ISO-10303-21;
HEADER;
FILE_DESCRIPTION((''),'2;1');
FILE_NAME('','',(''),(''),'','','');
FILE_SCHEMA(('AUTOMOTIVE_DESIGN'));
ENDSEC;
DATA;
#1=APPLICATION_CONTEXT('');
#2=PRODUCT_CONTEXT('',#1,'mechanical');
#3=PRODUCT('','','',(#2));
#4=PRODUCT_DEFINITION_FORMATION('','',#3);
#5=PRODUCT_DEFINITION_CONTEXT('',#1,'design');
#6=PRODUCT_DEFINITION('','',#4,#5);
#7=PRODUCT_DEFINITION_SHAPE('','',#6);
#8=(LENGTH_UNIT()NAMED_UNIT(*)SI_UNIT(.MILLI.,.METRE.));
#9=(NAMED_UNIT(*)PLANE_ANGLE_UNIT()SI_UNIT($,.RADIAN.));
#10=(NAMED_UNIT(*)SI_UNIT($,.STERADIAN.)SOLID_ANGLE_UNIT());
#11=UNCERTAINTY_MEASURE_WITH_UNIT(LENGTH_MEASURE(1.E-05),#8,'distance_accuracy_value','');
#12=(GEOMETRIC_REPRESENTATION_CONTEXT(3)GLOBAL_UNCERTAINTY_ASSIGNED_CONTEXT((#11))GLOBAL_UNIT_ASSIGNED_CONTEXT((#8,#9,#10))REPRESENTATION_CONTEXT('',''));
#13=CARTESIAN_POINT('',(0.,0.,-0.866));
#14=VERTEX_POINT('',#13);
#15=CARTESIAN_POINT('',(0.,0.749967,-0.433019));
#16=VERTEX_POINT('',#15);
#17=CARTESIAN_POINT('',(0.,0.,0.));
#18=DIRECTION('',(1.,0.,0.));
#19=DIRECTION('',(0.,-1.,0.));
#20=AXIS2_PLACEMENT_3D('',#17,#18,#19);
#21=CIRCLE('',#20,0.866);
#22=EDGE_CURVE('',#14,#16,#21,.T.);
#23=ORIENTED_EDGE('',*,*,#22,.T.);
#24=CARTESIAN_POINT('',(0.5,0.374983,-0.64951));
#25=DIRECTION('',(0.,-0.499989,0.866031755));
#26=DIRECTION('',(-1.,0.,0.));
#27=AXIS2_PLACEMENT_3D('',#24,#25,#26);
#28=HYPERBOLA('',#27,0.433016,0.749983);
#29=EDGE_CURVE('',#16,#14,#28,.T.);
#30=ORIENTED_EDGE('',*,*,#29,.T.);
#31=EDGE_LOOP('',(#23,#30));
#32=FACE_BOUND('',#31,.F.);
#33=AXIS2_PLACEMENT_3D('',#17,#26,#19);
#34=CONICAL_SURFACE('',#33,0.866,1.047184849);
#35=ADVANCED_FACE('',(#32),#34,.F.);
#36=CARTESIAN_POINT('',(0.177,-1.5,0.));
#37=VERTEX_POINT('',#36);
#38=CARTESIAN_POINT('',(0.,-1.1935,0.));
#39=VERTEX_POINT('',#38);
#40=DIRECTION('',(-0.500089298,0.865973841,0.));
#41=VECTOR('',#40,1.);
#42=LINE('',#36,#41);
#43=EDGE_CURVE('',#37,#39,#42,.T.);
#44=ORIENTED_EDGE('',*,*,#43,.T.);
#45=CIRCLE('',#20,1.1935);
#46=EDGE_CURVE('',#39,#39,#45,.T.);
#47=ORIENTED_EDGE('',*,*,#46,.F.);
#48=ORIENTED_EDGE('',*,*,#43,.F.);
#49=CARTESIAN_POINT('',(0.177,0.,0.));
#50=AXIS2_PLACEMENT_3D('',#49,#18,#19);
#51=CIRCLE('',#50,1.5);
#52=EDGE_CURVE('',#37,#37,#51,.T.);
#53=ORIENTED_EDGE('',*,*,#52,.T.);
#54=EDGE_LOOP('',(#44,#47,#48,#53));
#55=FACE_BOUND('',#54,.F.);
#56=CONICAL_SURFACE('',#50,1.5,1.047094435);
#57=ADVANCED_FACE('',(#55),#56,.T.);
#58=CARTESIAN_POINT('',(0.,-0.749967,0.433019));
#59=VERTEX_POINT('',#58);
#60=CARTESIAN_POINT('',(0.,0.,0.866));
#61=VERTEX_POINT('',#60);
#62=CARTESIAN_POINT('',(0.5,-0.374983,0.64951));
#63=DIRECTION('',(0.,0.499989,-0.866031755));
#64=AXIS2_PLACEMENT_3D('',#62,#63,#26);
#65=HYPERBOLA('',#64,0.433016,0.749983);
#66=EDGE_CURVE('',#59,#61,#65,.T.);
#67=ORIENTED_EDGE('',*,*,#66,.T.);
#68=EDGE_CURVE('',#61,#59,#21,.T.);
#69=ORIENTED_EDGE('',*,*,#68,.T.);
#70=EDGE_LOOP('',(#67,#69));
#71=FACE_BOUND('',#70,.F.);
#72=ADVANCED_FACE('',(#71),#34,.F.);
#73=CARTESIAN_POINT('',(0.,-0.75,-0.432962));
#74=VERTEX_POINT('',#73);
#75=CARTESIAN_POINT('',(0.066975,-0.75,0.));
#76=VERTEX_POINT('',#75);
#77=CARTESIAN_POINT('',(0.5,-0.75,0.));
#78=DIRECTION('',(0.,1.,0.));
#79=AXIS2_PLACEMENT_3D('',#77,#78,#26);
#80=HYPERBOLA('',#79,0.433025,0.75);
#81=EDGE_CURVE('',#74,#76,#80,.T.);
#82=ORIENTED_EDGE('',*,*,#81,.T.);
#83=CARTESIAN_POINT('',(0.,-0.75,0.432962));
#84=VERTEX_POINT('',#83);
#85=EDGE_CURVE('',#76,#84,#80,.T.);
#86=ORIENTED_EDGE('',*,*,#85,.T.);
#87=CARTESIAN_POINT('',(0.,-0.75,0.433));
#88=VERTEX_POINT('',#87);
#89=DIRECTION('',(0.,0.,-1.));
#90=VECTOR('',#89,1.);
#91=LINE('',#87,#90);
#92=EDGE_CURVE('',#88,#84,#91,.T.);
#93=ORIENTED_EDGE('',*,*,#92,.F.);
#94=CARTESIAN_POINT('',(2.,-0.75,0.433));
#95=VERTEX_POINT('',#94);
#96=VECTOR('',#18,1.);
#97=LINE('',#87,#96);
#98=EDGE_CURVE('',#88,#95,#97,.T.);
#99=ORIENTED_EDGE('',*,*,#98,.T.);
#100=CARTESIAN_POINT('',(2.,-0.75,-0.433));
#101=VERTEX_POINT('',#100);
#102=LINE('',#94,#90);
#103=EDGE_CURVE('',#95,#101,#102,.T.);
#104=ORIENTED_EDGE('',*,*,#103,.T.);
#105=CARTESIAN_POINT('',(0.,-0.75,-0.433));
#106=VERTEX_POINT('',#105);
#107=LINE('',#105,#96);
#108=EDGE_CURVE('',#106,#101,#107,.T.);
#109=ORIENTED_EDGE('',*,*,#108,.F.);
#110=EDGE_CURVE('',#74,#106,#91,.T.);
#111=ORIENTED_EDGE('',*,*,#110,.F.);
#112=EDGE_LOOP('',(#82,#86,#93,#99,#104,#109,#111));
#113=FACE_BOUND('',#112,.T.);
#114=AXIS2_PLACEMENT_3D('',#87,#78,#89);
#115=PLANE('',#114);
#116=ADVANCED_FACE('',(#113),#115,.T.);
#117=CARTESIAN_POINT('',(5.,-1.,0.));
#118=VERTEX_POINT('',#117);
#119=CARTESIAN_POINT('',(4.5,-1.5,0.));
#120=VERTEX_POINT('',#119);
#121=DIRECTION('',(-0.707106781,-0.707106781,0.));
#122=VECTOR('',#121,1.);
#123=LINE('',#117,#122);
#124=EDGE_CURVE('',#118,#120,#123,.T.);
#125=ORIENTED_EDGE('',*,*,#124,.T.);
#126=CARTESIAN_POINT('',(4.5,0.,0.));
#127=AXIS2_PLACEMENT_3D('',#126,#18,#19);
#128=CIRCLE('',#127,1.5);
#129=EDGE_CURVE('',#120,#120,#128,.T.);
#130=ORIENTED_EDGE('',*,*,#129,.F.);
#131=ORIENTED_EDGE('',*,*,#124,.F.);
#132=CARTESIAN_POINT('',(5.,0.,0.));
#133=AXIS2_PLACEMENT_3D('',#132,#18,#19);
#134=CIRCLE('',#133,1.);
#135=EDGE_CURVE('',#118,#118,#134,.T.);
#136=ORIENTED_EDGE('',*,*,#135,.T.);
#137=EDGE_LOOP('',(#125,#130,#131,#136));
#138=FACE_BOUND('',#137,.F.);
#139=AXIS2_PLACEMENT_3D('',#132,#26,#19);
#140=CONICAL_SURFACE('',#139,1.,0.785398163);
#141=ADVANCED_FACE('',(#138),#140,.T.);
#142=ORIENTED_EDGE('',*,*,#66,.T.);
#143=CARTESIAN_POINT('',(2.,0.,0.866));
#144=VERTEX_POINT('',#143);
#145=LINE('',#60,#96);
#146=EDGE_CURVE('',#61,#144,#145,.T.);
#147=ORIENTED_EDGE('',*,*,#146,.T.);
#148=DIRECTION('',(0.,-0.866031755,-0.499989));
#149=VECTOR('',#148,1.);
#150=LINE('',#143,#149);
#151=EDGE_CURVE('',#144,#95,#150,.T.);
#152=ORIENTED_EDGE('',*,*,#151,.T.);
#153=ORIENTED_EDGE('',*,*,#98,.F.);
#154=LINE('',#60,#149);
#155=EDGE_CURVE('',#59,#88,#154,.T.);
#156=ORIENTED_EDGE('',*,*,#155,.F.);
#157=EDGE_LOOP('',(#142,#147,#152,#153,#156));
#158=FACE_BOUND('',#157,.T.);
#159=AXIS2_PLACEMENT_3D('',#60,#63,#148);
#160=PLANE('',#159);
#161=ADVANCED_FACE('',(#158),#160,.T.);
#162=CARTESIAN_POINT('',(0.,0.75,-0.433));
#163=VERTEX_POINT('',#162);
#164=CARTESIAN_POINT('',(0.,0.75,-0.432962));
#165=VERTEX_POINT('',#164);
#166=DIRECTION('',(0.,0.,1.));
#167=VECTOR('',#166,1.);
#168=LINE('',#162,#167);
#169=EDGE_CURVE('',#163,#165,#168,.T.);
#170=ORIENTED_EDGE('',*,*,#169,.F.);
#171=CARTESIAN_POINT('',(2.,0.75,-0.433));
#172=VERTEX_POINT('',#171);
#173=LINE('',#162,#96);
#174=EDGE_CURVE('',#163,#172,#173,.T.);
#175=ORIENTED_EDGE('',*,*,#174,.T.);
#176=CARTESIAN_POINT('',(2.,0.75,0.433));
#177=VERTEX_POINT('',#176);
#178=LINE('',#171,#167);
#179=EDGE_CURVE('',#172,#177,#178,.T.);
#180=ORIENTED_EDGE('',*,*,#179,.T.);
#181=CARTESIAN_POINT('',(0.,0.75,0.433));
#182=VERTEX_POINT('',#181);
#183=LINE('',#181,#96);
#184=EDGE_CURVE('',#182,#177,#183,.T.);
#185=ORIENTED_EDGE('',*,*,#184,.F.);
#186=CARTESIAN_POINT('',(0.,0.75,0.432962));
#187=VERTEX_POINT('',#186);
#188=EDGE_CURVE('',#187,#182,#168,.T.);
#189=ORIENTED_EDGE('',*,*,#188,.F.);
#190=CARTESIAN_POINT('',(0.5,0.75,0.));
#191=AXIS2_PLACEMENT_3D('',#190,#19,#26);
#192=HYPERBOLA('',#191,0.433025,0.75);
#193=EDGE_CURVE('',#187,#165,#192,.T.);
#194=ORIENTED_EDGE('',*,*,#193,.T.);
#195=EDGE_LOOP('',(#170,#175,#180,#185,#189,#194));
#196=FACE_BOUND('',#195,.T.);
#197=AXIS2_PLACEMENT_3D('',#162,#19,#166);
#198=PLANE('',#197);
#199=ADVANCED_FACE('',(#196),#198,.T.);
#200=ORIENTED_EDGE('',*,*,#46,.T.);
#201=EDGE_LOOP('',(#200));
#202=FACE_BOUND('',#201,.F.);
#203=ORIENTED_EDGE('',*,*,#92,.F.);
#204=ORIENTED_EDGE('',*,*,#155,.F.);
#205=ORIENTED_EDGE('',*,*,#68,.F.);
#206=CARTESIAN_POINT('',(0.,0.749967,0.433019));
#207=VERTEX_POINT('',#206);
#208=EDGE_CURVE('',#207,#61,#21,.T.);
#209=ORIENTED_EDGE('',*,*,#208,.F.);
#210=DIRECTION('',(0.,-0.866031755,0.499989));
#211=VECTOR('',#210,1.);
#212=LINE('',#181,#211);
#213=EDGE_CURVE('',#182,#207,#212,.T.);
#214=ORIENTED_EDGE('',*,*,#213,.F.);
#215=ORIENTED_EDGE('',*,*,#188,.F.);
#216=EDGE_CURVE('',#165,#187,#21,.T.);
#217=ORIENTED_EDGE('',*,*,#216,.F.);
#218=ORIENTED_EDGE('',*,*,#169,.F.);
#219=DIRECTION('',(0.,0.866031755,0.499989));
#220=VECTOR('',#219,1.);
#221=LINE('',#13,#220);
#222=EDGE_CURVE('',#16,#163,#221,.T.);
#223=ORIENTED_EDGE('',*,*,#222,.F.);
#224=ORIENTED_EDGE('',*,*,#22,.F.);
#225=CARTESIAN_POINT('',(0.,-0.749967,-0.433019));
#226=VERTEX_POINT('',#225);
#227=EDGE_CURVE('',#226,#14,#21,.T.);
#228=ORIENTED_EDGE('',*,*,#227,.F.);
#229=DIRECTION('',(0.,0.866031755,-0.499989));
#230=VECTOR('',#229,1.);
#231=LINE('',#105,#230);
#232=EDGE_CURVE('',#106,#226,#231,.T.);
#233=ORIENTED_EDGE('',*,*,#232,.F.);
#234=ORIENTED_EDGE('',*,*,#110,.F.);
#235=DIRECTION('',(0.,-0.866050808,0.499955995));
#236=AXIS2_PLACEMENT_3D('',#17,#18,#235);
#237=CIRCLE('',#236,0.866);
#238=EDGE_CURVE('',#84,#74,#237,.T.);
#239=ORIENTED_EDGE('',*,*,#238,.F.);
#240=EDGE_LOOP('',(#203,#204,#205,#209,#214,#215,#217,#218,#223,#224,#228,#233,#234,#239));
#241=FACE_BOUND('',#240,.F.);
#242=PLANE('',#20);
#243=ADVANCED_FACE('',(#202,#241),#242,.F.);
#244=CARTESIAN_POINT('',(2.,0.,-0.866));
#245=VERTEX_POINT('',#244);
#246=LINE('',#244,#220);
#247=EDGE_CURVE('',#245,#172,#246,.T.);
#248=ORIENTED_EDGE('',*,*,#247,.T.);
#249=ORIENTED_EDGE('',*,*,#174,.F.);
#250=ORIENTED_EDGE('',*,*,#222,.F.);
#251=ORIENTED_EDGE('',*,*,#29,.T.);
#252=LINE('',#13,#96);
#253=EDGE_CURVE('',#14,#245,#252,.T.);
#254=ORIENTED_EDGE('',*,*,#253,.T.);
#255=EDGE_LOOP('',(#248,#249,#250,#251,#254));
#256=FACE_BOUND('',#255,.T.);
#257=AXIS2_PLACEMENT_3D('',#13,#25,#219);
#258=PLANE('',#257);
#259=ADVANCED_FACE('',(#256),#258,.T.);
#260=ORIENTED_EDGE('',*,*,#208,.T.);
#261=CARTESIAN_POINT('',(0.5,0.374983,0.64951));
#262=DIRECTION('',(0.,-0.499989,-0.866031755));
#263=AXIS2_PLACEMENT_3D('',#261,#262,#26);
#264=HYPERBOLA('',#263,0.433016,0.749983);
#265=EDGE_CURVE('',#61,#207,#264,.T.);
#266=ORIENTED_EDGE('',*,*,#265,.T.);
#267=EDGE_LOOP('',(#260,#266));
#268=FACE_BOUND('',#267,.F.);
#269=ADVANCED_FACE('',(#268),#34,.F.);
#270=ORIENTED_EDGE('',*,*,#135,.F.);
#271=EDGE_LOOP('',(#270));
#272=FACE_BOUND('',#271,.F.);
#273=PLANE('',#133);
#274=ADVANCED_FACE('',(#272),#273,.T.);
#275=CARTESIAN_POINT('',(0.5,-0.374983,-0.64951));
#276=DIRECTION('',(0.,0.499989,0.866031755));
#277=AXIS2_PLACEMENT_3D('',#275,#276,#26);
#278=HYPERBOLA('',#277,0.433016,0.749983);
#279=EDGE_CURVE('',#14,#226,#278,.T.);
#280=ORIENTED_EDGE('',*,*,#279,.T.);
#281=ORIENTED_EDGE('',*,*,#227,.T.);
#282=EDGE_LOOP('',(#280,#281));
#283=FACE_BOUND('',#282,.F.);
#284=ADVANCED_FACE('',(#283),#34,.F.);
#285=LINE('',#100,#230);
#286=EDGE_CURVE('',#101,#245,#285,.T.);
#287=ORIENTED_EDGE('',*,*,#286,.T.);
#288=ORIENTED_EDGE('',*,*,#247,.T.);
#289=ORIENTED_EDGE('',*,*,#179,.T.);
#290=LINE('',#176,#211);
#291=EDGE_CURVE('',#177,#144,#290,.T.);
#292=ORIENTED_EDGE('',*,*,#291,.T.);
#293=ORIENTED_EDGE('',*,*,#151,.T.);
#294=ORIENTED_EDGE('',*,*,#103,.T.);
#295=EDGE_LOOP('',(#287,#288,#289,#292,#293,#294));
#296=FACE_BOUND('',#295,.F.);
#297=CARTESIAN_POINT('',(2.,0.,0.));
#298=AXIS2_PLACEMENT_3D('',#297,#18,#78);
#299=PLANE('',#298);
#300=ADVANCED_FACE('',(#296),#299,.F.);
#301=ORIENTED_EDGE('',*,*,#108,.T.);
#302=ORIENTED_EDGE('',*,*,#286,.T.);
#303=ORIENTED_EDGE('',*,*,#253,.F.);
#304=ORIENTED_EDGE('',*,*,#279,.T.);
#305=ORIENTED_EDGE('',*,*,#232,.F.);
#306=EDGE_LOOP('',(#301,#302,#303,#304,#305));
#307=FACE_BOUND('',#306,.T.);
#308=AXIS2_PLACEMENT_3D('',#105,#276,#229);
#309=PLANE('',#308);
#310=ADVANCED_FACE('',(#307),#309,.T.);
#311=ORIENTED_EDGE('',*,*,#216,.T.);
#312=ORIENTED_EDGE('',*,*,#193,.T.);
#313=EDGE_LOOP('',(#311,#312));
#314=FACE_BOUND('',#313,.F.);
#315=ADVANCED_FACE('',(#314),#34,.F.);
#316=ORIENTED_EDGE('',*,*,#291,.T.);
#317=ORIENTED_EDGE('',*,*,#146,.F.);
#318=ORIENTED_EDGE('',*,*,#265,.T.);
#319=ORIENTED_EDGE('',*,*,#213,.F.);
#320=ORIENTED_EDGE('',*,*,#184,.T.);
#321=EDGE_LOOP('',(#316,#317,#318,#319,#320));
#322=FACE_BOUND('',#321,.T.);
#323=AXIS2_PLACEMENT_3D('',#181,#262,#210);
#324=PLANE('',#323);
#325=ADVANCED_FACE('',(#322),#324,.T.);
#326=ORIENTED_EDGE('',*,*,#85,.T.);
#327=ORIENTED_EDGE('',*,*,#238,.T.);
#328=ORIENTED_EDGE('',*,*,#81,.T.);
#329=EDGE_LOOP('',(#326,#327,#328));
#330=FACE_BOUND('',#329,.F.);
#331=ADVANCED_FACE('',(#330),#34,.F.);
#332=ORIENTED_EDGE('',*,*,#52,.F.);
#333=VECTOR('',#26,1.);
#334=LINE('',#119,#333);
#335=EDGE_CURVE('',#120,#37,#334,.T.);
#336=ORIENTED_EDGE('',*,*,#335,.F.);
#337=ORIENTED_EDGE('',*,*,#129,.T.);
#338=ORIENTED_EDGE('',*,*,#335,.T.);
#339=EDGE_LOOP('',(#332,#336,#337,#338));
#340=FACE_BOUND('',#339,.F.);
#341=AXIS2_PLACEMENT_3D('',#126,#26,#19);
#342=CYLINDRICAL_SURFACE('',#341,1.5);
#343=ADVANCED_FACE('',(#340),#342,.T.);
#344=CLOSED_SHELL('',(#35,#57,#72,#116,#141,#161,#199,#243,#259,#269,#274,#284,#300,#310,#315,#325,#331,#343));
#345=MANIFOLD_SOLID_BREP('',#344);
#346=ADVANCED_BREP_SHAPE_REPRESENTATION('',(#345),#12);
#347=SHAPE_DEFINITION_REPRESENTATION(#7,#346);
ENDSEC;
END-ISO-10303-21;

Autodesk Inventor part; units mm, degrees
sketch "Sketch_1" plane through (0, 0, 0) normal (0, 0, 1) x (1, 0, 0)
  line L0 (0.5, 0) -> (5, 0)
  line L1 (5, 0) -> (5, -1)
  line L2 (5, -1) -> (4.5, -1.5)
  line L3 (4.5, -1.5) -> (0.177, -1.5)
  line L4 (0.177, -1.5) -> (0, -1.1935)
  line L5 (0, -1.1935) -> (0, -0.866)
  line L6 (0, -0.866) -> (0.5, 0)
  line L7 (0.5, 0) -> (5, 0)
revolve "Revolution1" add sketch "Sketch_1" angle 360 about axis through (0.5, 0, 0) along (1, 0, 0)
thread "Thread1" size "M3x0.5" class "6g" standard "ISO Metric profile" full length
sketch "Sketch_2" plane through (0, 0, 0) normal (1, 0, 0) x (0, 1, 0)
  line L0 (0, 0.866) -> (-0.75, 0.433)
  line L1 (-0.75, 0.433) -> (-0.75, -0.433)
  line L2 (-0.75, -0.433) -> (0, -0.866)
  line L3 (0, -0.866) -> (0.75, -0.433)
  line L4 (0.75, -0.433) -> (0.75, 0.433)
  line L5 (0.75, 0.433) -> (0, 0.866)
extrude "Extrusion1" cut sketch "Sketch_2" along normal blind 2
ref_plane "IP1_XY" through (0, 0, 0) normal (1, 0, 0) x (0, 0, -1)
ref_plane "IP1_YZ" through (0, 0, 0) normal (0, 0, -1) x (0, 1, 0)
ref_plane "IP1_ZX" through (0, 0, 0) normal (0, 1, 0) x (1, 0, 0)
ref_plane "IP2_XY" through (5, 0, 0) normal (1, 0, 0) x (0, 0, -1)
ref_plane "IP2_YZ" through (5, 0, 0) normal (0, 0, -1) x (0, 1, 0)
ref_plane "IP2_ZX" through (5, 0, 0) normal (0, 1, 0) x (1, 0, 0)
properties part number "Hexagon socket set screw with flat point DIN 913 - M3x5"
